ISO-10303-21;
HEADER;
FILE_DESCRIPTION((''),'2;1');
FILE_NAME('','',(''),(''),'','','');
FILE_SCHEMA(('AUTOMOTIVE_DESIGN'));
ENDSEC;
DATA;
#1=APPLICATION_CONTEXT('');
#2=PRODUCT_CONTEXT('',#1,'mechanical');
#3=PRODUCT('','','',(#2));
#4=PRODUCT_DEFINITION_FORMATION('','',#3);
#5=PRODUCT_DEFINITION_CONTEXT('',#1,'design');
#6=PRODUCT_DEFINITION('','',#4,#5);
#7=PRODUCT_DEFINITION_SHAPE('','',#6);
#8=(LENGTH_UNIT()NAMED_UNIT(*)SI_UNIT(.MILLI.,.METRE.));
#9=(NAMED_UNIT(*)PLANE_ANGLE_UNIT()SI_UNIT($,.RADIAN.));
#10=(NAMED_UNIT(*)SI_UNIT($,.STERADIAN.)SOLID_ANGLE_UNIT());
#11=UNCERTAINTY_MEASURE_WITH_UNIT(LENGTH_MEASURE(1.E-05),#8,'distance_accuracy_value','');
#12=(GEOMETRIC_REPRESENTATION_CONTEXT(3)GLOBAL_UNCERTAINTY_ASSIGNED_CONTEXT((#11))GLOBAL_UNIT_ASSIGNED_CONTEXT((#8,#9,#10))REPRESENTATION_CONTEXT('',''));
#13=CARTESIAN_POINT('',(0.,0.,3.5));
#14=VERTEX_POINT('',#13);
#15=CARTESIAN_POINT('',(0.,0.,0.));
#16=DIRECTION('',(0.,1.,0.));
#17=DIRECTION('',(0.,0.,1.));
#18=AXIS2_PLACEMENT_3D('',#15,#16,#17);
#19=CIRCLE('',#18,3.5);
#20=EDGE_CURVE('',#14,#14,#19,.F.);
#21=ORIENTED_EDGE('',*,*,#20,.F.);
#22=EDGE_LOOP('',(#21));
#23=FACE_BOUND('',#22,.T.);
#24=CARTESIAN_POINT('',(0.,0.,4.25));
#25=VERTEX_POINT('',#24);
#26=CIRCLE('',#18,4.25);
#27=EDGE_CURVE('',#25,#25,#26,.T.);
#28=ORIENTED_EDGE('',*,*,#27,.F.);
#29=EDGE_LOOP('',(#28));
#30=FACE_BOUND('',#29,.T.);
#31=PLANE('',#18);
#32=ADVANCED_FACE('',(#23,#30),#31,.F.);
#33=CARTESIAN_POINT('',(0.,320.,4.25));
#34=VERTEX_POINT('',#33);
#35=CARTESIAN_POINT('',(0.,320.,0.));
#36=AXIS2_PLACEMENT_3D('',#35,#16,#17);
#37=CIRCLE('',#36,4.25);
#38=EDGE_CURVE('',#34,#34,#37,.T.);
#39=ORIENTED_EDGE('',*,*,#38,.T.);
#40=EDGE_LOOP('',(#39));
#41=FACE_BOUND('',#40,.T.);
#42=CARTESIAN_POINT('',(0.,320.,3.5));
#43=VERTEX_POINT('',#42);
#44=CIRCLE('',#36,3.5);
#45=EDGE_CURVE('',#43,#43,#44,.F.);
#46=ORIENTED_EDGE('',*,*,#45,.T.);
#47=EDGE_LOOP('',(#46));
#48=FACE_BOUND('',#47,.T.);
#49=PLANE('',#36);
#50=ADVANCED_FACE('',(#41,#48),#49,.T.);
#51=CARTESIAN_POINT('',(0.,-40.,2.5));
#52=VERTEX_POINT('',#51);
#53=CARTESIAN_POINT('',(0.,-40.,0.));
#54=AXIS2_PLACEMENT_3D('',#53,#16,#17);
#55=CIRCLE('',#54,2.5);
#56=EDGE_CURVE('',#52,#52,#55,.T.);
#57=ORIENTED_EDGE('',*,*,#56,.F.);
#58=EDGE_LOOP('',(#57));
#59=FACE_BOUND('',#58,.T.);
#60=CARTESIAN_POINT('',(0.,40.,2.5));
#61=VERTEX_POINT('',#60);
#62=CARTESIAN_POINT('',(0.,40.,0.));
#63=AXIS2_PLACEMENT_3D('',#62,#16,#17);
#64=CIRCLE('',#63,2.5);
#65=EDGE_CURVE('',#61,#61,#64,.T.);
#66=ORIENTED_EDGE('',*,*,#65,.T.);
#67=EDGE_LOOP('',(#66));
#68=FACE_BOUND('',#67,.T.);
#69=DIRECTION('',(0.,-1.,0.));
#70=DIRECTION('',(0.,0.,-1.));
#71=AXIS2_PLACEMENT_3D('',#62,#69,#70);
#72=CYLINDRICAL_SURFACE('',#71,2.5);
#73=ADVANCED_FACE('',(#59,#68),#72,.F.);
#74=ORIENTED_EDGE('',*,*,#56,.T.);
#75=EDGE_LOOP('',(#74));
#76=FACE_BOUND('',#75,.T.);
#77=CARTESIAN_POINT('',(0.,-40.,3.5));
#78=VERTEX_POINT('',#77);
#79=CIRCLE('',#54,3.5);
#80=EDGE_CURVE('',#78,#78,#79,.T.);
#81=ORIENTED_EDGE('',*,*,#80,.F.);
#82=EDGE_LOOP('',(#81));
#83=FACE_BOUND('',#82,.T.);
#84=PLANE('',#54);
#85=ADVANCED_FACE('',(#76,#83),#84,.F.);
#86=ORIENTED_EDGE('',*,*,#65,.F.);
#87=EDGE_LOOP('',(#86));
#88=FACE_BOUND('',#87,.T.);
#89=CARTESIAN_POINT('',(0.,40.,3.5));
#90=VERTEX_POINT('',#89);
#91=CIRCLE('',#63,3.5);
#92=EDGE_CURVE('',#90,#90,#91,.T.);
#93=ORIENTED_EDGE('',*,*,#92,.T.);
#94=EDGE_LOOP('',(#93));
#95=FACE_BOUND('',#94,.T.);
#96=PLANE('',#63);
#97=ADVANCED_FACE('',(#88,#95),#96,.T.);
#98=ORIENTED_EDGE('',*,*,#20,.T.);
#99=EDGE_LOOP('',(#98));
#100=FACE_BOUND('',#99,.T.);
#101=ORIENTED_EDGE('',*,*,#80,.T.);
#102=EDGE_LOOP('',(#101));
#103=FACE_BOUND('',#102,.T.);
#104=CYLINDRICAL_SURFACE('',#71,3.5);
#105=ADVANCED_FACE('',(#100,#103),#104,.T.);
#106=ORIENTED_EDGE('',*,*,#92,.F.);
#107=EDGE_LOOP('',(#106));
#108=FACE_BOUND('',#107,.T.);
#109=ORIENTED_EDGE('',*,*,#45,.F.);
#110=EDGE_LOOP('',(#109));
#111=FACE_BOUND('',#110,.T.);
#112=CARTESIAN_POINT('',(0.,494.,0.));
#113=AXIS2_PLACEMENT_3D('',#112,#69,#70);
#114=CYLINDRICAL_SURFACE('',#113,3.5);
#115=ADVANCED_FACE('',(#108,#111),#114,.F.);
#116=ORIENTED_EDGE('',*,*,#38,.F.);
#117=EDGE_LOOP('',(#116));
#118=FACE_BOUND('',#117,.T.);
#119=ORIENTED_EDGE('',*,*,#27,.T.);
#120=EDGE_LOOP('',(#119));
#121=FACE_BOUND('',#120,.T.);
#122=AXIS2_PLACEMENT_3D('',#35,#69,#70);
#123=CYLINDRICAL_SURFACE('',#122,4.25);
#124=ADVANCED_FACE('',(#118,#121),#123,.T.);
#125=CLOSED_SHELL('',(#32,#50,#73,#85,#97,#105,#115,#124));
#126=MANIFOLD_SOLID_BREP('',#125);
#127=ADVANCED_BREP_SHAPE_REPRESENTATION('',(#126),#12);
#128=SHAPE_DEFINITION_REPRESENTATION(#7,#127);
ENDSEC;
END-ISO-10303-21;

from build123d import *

# Parameters (mm, degrees)
SKETCH_1_R          = 4.25
EXTRUDE_1_DEPTH     = 320
SKETCH_2_R          = 3.5
CUT_EXTRUDE_1_DEPTH = 494
SKETCH_3_R          = 3.5
SKETCH_3_R_2        = 2.5
EXTRUDE_2_DEPTH     = 40


with BuildPart() as part:
    # 草图1 → 凸台-拉伸1 (new body)
    with BuildSketch(Plane(origin=(0, 0, 0), x_dir=(1, 0, 0), z_dir=(0, 1, 0))):
        Circle(SKETCH_1_R)
    extrude(amount=EXTRUDE_1_DEPTH)

    # 草图2 → 切除-拉伸1 (cut)
    with BuildSketch(Plane(origin=(0, 0, 0), x_dir=(1, 0, 0), z_dir=(0, 1, 0))):
        Circle(SKETCH_2_R)
    extrude(amount=CUT_EXTRUDE_1_DEPTH, mode=Mode.SUBTRACT)

    # 草图3 → 凸台-拉伸2 (add, symmetric)
    with BuildSketch(Plane(origin=(0, 0, 0), x_dir=(1, 0, 0), z_dir=(0, 1, 0))):
        Circle(SKETCH_3_R)
        Circle(SKETCH_3_R_2, mode=Mode.SUBTRACT)
    extrude(amount=EXTRUDE_2_DEPTH, both=True)


solid = part.part
